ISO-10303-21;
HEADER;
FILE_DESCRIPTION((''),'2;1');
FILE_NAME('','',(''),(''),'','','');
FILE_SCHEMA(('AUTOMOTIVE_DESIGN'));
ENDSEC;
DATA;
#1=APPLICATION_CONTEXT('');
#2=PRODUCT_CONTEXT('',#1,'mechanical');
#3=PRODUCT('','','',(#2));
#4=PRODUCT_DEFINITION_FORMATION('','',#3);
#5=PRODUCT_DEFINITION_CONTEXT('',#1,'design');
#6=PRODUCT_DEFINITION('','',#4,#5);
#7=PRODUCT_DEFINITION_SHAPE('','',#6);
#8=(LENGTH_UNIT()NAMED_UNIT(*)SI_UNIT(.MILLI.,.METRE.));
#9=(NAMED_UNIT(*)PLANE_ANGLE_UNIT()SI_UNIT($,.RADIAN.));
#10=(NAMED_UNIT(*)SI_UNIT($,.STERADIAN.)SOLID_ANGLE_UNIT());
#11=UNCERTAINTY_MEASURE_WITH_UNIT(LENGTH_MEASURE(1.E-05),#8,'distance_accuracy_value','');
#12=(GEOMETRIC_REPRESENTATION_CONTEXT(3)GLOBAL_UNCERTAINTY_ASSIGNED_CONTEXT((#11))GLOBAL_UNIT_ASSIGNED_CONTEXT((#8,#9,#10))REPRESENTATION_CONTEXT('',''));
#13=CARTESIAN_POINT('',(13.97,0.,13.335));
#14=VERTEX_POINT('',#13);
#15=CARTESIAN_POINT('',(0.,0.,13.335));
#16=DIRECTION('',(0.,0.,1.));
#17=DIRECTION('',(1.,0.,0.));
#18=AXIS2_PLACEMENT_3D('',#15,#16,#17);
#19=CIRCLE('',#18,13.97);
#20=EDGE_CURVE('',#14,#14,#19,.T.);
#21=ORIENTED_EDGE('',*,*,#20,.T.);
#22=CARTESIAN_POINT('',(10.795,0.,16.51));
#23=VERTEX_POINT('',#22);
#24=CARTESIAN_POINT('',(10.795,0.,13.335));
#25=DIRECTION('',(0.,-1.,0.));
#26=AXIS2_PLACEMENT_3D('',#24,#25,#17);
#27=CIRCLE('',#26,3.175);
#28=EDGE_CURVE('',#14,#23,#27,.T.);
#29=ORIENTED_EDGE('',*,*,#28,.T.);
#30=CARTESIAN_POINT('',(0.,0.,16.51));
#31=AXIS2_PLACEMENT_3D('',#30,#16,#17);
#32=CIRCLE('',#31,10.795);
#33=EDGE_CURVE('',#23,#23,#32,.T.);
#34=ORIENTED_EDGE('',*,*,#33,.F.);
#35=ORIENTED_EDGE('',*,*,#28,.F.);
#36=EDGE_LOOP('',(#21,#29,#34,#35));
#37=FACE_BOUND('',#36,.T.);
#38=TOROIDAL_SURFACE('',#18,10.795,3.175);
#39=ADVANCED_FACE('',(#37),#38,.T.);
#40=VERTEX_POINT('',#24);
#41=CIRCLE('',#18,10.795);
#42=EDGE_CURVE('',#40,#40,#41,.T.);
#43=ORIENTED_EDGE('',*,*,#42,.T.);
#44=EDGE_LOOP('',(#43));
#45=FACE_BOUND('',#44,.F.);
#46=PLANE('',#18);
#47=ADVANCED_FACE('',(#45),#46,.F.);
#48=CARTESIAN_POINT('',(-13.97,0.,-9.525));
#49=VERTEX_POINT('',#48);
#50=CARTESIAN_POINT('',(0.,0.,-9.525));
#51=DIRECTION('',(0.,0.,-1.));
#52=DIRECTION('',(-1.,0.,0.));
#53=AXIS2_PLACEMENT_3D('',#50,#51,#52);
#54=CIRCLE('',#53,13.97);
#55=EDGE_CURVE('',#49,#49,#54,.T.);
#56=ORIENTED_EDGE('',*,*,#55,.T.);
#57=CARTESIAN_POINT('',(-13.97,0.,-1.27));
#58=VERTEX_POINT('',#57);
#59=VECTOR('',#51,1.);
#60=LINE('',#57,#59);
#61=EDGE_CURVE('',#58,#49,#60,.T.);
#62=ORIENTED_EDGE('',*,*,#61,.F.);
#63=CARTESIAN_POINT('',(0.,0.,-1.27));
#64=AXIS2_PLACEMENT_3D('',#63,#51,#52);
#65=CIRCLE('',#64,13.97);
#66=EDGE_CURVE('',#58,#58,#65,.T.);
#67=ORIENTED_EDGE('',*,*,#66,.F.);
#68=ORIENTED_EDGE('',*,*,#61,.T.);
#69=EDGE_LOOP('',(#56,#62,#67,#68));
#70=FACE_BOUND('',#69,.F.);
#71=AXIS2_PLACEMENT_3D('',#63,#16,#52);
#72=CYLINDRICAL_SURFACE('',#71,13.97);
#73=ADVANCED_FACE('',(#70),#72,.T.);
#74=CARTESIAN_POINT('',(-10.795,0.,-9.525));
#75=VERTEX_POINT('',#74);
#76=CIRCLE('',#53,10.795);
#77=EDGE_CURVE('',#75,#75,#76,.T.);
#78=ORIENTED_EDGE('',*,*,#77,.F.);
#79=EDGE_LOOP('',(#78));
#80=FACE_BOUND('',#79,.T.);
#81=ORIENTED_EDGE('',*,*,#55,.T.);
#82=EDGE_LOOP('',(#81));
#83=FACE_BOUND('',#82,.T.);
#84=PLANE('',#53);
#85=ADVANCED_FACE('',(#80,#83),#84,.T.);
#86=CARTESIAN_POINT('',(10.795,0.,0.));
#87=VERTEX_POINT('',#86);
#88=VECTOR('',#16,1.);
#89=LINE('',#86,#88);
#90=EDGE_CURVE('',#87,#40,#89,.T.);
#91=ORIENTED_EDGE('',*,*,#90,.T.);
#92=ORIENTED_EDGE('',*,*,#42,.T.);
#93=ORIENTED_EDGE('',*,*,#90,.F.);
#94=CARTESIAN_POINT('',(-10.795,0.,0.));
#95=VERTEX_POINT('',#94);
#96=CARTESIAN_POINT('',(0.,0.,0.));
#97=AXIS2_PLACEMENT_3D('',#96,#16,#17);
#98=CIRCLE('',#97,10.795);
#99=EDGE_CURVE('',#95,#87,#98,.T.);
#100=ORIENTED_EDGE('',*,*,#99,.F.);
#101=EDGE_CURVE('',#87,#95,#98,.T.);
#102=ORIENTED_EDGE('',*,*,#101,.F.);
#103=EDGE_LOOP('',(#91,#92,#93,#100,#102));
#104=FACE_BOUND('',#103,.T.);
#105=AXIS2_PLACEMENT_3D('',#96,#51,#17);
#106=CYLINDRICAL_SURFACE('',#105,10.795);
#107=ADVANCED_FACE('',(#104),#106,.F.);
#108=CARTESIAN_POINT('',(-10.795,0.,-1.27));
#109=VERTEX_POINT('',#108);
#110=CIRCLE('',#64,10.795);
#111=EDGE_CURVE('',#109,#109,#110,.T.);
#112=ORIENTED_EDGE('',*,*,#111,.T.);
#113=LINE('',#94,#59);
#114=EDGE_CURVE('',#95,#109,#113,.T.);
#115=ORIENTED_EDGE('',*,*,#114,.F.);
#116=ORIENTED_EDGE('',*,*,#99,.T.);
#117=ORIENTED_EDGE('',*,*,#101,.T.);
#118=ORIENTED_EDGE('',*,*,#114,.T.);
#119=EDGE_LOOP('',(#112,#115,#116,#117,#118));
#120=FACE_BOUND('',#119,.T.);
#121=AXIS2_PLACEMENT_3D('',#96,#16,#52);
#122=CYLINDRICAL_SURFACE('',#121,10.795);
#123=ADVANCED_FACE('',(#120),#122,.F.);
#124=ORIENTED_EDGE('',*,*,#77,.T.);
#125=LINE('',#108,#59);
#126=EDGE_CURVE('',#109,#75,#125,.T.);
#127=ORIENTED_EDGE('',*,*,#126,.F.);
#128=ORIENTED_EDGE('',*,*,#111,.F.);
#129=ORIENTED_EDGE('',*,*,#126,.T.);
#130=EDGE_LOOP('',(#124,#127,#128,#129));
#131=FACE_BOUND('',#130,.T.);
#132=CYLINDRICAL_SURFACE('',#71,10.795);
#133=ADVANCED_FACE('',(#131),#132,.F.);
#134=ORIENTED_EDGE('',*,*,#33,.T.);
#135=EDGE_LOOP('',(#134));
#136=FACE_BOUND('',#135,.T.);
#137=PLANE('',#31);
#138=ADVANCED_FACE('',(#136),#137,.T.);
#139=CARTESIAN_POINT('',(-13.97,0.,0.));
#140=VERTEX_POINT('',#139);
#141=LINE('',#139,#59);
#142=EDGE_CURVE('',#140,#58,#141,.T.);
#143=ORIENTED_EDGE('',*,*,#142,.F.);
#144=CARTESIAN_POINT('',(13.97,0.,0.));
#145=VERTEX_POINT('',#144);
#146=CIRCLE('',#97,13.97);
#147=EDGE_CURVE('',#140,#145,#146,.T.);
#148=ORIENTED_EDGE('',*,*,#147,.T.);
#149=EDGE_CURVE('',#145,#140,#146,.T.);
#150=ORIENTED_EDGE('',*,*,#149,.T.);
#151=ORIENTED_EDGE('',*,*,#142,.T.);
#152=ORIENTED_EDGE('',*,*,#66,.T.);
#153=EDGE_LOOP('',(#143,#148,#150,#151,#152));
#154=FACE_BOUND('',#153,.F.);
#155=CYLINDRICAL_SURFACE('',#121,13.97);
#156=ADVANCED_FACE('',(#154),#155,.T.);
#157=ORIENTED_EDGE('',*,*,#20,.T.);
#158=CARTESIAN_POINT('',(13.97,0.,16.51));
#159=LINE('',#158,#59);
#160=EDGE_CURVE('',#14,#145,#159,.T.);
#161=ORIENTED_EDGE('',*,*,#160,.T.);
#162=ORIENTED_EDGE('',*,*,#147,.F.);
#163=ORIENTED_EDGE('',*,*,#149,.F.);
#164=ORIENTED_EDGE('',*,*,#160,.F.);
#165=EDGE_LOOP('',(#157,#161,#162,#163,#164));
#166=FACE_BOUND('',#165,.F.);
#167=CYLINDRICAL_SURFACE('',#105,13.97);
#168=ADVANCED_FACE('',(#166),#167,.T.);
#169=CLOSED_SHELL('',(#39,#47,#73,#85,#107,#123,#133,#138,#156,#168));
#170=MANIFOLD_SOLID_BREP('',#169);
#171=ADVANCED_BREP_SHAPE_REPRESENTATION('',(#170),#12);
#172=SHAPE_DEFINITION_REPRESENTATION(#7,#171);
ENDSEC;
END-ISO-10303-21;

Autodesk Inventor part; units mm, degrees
ref_plane "YZ Plane" through (0, 0, 0) normal (1, 0, 0) x (0, 1, 0)
ref_plane "XZ Plane" through (0, 0, 0) normal (0, 1, 0) x (-1, 0, 0)
ref_plane "XY Plane" through (0, 0, 0) normal (0, 0, 1) x (1, 0, 0)
sketch "Sketch1" plane through (0, 0, 0) normal (0, 0, 1) x (1, 0, 0)
  circle A0 centre (0, 0) radius 13.97
  circle A1 centre (0, 0) radius 10.795
  dimension "d0" = 27.94
  dimension "d2" = 21.59
extrude "Extrusion1" add sketch "Sketch1" along normal blind 13.335
sketch "Sketch2" plane through (0, 0, 13.335) normal (0, 0, 1) x (1, 0, 0)
  circle A0 centre (0, 0) radius 13.97 projected
extrude "Extrusion2" add sketch "Sketch2" along normal blind 3.175
fillet "Fillet1" radius 3.175 1 edges at (-13.97, 0, 16.51)
sketch "Sketch3" plane through (0, 0, 0) normal (0, 0, -1) x (-1, 0, 0)
  circle A0 centre (0, 0) radius 10.795 projected
  circle A1 centre (0, 0) radius 13.97 projected
extrude "Extrusion3" add sketch "Sketch3" along normal blind 1.27
sketch "Sketch4" plane through (0, 0, -1.27) normal (0, 0, -1) x (-1, 0, 0)
  circle A0 centre (0, 0) radius 10.795 projected
  circle A1 centre (0, 0) radius 13.97 projected
extrude "Extrusion4" cut sketch "Sketch4" along normal blind 5.715
sketch "Sketch5" plane through (0, 0, -1.27) normal (0, 0, -1) x (-1, 0, 0)
  circle A0 centre (0, 0) radius 10.795 projected
  circle A1 centre (0, 0) radius 13.97 projected
extrude "Extrusion5" add sketch "Sketch5" along normal blind 8.255
properties part number "Long Cap" material "PVC-Piping"
